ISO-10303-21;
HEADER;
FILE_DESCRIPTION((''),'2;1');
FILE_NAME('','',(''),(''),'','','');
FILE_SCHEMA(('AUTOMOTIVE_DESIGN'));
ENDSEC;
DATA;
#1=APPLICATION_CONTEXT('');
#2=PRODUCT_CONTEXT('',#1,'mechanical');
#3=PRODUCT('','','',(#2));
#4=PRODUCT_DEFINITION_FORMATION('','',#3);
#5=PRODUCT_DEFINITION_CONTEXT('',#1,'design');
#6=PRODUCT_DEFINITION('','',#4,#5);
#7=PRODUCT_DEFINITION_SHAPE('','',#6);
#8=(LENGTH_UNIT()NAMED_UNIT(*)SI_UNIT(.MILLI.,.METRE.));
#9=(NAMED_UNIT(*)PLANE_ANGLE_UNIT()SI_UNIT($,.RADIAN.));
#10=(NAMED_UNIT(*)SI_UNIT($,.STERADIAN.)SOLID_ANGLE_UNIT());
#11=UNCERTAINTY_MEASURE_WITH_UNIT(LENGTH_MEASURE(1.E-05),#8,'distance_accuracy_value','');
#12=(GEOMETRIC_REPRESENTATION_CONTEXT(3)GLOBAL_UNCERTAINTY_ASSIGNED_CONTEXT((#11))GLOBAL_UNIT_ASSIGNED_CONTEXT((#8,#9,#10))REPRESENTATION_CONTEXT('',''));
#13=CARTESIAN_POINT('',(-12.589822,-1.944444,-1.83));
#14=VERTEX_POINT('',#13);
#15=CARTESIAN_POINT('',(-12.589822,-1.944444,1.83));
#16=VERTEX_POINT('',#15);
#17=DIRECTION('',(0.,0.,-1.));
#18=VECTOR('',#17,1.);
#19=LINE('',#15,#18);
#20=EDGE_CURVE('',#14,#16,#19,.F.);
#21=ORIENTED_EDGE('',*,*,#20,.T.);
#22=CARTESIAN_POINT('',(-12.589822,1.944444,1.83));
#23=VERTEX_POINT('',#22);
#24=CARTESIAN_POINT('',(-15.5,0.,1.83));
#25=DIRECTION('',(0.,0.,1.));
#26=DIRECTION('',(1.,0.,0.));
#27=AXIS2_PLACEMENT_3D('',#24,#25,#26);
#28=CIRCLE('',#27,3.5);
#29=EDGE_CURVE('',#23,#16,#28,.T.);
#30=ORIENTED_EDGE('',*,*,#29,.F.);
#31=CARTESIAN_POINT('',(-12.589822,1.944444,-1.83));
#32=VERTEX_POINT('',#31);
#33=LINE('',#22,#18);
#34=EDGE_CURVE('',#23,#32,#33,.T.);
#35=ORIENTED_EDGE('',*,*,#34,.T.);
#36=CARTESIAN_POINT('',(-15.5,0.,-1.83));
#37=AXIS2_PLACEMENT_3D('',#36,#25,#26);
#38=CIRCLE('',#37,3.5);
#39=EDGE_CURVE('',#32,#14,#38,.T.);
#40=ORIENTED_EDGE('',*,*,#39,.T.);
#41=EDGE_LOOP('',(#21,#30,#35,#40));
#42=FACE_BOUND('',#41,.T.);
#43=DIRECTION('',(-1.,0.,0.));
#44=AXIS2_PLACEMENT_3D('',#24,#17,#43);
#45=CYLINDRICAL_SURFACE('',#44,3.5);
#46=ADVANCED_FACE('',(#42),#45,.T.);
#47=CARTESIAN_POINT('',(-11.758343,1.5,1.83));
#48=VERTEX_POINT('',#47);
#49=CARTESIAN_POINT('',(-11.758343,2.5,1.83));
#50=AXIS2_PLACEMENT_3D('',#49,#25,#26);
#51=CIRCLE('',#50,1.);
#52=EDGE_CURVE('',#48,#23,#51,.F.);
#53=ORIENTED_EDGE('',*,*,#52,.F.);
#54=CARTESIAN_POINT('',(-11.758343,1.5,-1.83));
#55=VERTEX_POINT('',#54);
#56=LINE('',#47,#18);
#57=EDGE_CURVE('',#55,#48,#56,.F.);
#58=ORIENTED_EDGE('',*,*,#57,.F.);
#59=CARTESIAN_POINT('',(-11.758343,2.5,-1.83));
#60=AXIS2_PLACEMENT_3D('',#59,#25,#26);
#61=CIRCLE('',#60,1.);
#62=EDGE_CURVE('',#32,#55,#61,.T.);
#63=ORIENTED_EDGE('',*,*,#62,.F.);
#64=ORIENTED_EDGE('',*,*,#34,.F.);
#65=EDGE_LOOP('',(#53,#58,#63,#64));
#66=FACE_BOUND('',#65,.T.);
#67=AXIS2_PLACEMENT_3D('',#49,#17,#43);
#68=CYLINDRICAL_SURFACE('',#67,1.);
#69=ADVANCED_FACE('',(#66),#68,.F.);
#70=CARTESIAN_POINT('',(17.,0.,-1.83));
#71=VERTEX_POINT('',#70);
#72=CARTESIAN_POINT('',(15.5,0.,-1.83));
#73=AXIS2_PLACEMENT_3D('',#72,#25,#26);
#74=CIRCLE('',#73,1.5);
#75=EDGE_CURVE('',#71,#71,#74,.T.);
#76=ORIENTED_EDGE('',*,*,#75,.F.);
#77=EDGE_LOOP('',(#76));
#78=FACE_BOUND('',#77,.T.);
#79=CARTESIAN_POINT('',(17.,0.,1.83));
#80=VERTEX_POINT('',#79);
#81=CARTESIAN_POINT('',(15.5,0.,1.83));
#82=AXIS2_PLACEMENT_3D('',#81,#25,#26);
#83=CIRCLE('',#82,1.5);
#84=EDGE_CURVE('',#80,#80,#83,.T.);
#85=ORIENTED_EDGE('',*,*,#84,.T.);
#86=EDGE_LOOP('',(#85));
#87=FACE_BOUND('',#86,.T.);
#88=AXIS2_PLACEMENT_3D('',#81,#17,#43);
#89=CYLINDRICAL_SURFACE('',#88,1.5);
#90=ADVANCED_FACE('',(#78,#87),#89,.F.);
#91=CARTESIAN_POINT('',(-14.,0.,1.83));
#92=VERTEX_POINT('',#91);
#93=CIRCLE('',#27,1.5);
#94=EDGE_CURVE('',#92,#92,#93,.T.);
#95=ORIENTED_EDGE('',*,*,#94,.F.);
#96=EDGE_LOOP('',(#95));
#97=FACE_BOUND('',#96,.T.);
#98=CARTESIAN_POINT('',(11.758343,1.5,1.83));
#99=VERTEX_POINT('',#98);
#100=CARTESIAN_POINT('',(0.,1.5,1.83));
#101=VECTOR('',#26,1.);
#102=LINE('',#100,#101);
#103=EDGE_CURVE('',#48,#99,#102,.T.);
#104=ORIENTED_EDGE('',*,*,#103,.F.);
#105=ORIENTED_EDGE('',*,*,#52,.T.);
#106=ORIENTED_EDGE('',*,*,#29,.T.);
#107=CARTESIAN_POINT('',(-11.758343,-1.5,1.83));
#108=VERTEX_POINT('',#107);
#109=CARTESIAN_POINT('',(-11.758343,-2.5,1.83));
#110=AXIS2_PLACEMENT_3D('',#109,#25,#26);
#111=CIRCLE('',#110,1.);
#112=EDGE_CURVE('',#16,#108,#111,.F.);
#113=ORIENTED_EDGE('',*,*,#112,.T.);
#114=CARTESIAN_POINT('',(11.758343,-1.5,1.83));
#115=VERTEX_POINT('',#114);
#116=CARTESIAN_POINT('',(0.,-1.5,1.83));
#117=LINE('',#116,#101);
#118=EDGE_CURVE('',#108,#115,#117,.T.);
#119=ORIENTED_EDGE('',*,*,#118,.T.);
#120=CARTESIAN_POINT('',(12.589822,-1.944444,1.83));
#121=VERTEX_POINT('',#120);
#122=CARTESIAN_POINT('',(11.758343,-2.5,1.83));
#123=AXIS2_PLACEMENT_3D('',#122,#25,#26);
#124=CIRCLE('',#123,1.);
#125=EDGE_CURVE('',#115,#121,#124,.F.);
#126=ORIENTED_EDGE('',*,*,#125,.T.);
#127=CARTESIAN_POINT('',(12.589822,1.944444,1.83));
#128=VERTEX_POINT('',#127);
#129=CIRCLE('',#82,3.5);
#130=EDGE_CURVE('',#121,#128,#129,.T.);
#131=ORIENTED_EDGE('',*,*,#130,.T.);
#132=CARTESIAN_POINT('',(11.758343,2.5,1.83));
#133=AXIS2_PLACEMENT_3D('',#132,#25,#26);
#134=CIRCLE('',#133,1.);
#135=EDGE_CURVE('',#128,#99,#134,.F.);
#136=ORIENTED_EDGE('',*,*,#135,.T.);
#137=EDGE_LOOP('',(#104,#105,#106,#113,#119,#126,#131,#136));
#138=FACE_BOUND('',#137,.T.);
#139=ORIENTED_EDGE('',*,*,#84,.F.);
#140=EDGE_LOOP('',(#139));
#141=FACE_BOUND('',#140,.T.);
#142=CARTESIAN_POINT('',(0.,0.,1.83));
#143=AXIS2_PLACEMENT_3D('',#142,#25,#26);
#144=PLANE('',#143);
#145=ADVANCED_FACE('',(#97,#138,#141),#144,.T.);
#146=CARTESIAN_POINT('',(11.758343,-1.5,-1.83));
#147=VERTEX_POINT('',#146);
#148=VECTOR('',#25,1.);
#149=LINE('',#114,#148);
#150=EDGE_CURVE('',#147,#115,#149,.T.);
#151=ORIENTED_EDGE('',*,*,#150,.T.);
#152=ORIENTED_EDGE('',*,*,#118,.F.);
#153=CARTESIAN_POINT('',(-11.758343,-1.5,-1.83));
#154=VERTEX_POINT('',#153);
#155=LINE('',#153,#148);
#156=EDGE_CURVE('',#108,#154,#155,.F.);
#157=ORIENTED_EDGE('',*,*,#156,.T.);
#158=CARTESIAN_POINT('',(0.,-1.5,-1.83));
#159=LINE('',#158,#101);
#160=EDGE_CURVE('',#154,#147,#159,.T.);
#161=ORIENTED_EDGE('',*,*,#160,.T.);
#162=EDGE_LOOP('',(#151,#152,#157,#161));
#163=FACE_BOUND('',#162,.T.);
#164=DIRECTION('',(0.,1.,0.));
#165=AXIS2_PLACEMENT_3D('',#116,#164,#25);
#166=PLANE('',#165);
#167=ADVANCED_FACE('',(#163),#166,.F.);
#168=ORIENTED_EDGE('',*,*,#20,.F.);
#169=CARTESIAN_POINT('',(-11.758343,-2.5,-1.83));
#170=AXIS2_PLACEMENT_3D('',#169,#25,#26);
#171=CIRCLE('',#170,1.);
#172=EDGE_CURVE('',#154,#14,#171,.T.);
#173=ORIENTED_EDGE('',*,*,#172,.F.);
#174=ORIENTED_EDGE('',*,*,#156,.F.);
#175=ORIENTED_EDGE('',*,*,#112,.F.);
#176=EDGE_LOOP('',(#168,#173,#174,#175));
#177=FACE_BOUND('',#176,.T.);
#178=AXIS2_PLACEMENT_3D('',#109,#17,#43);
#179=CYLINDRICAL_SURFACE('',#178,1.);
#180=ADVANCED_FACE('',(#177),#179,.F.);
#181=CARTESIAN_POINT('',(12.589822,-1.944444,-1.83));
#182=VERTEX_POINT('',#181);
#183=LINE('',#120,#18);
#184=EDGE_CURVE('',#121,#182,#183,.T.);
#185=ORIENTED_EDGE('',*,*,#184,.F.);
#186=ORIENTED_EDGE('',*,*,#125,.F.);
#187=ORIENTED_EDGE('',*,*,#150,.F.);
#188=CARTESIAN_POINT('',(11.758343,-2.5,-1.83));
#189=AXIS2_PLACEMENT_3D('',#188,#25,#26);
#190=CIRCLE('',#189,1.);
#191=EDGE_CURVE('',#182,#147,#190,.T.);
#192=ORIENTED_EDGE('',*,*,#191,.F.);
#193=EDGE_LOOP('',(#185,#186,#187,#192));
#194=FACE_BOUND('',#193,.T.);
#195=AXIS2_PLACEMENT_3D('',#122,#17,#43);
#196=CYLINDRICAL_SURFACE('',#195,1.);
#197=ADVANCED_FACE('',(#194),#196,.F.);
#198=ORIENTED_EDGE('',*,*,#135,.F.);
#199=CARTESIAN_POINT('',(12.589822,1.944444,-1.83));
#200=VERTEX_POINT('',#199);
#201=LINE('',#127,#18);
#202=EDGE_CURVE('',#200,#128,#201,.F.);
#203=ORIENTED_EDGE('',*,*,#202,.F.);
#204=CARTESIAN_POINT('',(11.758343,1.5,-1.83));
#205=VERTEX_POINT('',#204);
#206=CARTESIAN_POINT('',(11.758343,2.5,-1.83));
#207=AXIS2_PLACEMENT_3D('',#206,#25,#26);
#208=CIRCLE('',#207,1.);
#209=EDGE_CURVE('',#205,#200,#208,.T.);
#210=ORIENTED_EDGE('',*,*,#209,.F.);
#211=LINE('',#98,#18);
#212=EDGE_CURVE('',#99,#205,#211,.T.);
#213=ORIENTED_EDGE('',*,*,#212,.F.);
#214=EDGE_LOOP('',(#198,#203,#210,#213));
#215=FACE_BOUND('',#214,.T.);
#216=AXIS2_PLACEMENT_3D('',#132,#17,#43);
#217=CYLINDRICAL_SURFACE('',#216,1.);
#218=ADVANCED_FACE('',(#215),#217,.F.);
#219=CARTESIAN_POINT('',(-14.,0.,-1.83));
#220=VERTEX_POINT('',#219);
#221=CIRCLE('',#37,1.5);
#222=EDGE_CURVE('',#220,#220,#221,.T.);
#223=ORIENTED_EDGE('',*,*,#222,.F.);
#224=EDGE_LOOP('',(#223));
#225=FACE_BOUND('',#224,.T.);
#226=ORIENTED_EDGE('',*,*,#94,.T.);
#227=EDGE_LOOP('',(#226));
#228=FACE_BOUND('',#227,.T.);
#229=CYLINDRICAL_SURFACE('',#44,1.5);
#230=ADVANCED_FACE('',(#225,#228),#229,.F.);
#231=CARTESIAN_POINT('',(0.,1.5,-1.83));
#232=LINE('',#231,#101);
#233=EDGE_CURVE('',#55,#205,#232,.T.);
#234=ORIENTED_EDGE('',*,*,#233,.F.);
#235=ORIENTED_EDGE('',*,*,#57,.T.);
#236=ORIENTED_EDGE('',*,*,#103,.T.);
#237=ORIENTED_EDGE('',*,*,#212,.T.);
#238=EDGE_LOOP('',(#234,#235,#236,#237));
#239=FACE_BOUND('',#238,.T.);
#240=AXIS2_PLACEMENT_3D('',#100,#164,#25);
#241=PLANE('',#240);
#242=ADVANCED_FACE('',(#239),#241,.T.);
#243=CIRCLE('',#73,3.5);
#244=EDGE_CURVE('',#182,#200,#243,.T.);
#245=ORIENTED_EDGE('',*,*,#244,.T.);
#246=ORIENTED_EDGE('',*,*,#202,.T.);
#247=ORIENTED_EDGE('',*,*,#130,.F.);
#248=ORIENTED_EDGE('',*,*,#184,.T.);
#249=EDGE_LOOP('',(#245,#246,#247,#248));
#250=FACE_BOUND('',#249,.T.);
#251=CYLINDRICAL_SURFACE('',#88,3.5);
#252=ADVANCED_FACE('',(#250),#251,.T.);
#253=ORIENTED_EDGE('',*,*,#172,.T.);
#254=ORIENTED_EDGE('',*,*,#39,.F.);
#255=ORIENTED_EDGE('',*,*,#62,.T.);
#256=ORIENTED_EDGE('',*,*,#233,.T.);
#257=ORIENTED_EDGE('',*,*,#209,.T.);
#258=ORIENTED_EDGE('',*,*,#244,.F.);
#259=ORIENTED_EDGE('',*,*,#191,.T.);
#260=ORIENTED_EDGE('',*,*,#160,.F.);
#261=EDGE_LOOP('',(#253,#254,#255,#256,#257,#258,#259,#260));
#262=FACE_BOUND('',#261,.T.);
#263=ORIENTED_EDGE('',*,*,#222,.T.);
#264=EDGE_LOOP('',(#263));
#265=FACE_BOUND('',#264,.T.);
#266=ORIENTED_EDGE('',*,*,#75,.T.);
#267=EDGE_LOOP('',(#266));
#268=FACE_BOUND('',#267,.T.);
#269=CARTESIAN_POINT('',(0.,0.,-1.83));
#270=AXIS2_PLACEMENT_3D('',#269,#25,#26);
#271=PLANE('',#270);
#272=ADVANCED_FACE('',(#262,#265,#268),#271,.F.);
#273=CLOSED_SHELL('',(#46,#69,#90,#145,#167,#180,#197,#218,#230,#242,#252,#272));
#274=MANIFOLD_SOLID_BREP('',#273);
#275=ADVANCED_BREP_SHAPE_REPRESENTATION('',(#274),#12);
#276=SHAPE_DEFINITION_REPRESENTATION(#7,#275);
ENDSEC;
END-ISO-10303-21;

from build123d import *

# Parameters (mm, degrees)
SKETCH1_R           = 1.5
BOSS_EXTRUDE1_DEPTH = 1.83
FILLET1_R           = 1


with BuildPart() as part:
    # Sketch1 → Boss-Extrude1 (new, symmetric)
    # profile 1 of 3: a face of its own
    with BuildSketch(Plane.XY):
        with BuildLine():
            ThreePointArc((-12, 0), (-12.085474, 0.768774), (-12.337722, 1.5))
            ThreePointArc((-12.337722, 1.5), (-19, 0), (-12.337722, -1.5))
            ThreePointArc((-12.337722, -1.5), (-12.085474, -0.768774), (-12, 0))
        make_face()
        with Locations((-15.5, 0)):
            Circle(SKETCH1_R, mode=Mode.SUBTRACT)
    # profile 2 of 3: a face of its own
    with BuildSketch(Plane.XY):
        with BuildLine():
            Line((12.337722, 1.5), (-12.337722, 1.5))
            ThreePointArc((-12.337722, 1.5), (-12.085474, 0.768774), (-12, 0))
            ThreePointArc((-12, 0), (-12.085474, -0.768774), (-12.337722, -1.5))
            Line((-12.337722, -1.5), (12.337722, -1.5))
            ThreePointArc((12.337722, -1.5), (12, 0), (12.337722, 1.5))
        make_face()
    # profile 3 of 3: a face of its own
    with BuildSketch(Plane.XY):
        with BuildLine():
            ThreePointArc((19, 0), (16.268774, 3.414526), (12.337722, 1.5))
            ThreePointArc((12.337722, 1.5), (12, 0), (12.337722, -1.5))
            ThreePointArc((12.337722, -1.5), (16.268774, -3.414526), (19, 0))
        make_face()
        with Locations((15.5, 0)):
            Circle(SKETCH1_R, mode=Mode.SUBTRACT)
    extrude(amount=BOSS_EXTRUDE1_DEPTH, both=True)

    # Fillet1
    fillet1_edges = [part.edges().sort_by_distance(p)[0] for p in [
        (-12.337722, 1.5, 0),
        (12.337722, 1.5, 0.915),
        (12.337722, -1.5, 0.915),
        (-12.337722, -1.5, 0),
    ]]
    fillet(fillet1_edges, radius=FILLET1_R)


solid = part.part
